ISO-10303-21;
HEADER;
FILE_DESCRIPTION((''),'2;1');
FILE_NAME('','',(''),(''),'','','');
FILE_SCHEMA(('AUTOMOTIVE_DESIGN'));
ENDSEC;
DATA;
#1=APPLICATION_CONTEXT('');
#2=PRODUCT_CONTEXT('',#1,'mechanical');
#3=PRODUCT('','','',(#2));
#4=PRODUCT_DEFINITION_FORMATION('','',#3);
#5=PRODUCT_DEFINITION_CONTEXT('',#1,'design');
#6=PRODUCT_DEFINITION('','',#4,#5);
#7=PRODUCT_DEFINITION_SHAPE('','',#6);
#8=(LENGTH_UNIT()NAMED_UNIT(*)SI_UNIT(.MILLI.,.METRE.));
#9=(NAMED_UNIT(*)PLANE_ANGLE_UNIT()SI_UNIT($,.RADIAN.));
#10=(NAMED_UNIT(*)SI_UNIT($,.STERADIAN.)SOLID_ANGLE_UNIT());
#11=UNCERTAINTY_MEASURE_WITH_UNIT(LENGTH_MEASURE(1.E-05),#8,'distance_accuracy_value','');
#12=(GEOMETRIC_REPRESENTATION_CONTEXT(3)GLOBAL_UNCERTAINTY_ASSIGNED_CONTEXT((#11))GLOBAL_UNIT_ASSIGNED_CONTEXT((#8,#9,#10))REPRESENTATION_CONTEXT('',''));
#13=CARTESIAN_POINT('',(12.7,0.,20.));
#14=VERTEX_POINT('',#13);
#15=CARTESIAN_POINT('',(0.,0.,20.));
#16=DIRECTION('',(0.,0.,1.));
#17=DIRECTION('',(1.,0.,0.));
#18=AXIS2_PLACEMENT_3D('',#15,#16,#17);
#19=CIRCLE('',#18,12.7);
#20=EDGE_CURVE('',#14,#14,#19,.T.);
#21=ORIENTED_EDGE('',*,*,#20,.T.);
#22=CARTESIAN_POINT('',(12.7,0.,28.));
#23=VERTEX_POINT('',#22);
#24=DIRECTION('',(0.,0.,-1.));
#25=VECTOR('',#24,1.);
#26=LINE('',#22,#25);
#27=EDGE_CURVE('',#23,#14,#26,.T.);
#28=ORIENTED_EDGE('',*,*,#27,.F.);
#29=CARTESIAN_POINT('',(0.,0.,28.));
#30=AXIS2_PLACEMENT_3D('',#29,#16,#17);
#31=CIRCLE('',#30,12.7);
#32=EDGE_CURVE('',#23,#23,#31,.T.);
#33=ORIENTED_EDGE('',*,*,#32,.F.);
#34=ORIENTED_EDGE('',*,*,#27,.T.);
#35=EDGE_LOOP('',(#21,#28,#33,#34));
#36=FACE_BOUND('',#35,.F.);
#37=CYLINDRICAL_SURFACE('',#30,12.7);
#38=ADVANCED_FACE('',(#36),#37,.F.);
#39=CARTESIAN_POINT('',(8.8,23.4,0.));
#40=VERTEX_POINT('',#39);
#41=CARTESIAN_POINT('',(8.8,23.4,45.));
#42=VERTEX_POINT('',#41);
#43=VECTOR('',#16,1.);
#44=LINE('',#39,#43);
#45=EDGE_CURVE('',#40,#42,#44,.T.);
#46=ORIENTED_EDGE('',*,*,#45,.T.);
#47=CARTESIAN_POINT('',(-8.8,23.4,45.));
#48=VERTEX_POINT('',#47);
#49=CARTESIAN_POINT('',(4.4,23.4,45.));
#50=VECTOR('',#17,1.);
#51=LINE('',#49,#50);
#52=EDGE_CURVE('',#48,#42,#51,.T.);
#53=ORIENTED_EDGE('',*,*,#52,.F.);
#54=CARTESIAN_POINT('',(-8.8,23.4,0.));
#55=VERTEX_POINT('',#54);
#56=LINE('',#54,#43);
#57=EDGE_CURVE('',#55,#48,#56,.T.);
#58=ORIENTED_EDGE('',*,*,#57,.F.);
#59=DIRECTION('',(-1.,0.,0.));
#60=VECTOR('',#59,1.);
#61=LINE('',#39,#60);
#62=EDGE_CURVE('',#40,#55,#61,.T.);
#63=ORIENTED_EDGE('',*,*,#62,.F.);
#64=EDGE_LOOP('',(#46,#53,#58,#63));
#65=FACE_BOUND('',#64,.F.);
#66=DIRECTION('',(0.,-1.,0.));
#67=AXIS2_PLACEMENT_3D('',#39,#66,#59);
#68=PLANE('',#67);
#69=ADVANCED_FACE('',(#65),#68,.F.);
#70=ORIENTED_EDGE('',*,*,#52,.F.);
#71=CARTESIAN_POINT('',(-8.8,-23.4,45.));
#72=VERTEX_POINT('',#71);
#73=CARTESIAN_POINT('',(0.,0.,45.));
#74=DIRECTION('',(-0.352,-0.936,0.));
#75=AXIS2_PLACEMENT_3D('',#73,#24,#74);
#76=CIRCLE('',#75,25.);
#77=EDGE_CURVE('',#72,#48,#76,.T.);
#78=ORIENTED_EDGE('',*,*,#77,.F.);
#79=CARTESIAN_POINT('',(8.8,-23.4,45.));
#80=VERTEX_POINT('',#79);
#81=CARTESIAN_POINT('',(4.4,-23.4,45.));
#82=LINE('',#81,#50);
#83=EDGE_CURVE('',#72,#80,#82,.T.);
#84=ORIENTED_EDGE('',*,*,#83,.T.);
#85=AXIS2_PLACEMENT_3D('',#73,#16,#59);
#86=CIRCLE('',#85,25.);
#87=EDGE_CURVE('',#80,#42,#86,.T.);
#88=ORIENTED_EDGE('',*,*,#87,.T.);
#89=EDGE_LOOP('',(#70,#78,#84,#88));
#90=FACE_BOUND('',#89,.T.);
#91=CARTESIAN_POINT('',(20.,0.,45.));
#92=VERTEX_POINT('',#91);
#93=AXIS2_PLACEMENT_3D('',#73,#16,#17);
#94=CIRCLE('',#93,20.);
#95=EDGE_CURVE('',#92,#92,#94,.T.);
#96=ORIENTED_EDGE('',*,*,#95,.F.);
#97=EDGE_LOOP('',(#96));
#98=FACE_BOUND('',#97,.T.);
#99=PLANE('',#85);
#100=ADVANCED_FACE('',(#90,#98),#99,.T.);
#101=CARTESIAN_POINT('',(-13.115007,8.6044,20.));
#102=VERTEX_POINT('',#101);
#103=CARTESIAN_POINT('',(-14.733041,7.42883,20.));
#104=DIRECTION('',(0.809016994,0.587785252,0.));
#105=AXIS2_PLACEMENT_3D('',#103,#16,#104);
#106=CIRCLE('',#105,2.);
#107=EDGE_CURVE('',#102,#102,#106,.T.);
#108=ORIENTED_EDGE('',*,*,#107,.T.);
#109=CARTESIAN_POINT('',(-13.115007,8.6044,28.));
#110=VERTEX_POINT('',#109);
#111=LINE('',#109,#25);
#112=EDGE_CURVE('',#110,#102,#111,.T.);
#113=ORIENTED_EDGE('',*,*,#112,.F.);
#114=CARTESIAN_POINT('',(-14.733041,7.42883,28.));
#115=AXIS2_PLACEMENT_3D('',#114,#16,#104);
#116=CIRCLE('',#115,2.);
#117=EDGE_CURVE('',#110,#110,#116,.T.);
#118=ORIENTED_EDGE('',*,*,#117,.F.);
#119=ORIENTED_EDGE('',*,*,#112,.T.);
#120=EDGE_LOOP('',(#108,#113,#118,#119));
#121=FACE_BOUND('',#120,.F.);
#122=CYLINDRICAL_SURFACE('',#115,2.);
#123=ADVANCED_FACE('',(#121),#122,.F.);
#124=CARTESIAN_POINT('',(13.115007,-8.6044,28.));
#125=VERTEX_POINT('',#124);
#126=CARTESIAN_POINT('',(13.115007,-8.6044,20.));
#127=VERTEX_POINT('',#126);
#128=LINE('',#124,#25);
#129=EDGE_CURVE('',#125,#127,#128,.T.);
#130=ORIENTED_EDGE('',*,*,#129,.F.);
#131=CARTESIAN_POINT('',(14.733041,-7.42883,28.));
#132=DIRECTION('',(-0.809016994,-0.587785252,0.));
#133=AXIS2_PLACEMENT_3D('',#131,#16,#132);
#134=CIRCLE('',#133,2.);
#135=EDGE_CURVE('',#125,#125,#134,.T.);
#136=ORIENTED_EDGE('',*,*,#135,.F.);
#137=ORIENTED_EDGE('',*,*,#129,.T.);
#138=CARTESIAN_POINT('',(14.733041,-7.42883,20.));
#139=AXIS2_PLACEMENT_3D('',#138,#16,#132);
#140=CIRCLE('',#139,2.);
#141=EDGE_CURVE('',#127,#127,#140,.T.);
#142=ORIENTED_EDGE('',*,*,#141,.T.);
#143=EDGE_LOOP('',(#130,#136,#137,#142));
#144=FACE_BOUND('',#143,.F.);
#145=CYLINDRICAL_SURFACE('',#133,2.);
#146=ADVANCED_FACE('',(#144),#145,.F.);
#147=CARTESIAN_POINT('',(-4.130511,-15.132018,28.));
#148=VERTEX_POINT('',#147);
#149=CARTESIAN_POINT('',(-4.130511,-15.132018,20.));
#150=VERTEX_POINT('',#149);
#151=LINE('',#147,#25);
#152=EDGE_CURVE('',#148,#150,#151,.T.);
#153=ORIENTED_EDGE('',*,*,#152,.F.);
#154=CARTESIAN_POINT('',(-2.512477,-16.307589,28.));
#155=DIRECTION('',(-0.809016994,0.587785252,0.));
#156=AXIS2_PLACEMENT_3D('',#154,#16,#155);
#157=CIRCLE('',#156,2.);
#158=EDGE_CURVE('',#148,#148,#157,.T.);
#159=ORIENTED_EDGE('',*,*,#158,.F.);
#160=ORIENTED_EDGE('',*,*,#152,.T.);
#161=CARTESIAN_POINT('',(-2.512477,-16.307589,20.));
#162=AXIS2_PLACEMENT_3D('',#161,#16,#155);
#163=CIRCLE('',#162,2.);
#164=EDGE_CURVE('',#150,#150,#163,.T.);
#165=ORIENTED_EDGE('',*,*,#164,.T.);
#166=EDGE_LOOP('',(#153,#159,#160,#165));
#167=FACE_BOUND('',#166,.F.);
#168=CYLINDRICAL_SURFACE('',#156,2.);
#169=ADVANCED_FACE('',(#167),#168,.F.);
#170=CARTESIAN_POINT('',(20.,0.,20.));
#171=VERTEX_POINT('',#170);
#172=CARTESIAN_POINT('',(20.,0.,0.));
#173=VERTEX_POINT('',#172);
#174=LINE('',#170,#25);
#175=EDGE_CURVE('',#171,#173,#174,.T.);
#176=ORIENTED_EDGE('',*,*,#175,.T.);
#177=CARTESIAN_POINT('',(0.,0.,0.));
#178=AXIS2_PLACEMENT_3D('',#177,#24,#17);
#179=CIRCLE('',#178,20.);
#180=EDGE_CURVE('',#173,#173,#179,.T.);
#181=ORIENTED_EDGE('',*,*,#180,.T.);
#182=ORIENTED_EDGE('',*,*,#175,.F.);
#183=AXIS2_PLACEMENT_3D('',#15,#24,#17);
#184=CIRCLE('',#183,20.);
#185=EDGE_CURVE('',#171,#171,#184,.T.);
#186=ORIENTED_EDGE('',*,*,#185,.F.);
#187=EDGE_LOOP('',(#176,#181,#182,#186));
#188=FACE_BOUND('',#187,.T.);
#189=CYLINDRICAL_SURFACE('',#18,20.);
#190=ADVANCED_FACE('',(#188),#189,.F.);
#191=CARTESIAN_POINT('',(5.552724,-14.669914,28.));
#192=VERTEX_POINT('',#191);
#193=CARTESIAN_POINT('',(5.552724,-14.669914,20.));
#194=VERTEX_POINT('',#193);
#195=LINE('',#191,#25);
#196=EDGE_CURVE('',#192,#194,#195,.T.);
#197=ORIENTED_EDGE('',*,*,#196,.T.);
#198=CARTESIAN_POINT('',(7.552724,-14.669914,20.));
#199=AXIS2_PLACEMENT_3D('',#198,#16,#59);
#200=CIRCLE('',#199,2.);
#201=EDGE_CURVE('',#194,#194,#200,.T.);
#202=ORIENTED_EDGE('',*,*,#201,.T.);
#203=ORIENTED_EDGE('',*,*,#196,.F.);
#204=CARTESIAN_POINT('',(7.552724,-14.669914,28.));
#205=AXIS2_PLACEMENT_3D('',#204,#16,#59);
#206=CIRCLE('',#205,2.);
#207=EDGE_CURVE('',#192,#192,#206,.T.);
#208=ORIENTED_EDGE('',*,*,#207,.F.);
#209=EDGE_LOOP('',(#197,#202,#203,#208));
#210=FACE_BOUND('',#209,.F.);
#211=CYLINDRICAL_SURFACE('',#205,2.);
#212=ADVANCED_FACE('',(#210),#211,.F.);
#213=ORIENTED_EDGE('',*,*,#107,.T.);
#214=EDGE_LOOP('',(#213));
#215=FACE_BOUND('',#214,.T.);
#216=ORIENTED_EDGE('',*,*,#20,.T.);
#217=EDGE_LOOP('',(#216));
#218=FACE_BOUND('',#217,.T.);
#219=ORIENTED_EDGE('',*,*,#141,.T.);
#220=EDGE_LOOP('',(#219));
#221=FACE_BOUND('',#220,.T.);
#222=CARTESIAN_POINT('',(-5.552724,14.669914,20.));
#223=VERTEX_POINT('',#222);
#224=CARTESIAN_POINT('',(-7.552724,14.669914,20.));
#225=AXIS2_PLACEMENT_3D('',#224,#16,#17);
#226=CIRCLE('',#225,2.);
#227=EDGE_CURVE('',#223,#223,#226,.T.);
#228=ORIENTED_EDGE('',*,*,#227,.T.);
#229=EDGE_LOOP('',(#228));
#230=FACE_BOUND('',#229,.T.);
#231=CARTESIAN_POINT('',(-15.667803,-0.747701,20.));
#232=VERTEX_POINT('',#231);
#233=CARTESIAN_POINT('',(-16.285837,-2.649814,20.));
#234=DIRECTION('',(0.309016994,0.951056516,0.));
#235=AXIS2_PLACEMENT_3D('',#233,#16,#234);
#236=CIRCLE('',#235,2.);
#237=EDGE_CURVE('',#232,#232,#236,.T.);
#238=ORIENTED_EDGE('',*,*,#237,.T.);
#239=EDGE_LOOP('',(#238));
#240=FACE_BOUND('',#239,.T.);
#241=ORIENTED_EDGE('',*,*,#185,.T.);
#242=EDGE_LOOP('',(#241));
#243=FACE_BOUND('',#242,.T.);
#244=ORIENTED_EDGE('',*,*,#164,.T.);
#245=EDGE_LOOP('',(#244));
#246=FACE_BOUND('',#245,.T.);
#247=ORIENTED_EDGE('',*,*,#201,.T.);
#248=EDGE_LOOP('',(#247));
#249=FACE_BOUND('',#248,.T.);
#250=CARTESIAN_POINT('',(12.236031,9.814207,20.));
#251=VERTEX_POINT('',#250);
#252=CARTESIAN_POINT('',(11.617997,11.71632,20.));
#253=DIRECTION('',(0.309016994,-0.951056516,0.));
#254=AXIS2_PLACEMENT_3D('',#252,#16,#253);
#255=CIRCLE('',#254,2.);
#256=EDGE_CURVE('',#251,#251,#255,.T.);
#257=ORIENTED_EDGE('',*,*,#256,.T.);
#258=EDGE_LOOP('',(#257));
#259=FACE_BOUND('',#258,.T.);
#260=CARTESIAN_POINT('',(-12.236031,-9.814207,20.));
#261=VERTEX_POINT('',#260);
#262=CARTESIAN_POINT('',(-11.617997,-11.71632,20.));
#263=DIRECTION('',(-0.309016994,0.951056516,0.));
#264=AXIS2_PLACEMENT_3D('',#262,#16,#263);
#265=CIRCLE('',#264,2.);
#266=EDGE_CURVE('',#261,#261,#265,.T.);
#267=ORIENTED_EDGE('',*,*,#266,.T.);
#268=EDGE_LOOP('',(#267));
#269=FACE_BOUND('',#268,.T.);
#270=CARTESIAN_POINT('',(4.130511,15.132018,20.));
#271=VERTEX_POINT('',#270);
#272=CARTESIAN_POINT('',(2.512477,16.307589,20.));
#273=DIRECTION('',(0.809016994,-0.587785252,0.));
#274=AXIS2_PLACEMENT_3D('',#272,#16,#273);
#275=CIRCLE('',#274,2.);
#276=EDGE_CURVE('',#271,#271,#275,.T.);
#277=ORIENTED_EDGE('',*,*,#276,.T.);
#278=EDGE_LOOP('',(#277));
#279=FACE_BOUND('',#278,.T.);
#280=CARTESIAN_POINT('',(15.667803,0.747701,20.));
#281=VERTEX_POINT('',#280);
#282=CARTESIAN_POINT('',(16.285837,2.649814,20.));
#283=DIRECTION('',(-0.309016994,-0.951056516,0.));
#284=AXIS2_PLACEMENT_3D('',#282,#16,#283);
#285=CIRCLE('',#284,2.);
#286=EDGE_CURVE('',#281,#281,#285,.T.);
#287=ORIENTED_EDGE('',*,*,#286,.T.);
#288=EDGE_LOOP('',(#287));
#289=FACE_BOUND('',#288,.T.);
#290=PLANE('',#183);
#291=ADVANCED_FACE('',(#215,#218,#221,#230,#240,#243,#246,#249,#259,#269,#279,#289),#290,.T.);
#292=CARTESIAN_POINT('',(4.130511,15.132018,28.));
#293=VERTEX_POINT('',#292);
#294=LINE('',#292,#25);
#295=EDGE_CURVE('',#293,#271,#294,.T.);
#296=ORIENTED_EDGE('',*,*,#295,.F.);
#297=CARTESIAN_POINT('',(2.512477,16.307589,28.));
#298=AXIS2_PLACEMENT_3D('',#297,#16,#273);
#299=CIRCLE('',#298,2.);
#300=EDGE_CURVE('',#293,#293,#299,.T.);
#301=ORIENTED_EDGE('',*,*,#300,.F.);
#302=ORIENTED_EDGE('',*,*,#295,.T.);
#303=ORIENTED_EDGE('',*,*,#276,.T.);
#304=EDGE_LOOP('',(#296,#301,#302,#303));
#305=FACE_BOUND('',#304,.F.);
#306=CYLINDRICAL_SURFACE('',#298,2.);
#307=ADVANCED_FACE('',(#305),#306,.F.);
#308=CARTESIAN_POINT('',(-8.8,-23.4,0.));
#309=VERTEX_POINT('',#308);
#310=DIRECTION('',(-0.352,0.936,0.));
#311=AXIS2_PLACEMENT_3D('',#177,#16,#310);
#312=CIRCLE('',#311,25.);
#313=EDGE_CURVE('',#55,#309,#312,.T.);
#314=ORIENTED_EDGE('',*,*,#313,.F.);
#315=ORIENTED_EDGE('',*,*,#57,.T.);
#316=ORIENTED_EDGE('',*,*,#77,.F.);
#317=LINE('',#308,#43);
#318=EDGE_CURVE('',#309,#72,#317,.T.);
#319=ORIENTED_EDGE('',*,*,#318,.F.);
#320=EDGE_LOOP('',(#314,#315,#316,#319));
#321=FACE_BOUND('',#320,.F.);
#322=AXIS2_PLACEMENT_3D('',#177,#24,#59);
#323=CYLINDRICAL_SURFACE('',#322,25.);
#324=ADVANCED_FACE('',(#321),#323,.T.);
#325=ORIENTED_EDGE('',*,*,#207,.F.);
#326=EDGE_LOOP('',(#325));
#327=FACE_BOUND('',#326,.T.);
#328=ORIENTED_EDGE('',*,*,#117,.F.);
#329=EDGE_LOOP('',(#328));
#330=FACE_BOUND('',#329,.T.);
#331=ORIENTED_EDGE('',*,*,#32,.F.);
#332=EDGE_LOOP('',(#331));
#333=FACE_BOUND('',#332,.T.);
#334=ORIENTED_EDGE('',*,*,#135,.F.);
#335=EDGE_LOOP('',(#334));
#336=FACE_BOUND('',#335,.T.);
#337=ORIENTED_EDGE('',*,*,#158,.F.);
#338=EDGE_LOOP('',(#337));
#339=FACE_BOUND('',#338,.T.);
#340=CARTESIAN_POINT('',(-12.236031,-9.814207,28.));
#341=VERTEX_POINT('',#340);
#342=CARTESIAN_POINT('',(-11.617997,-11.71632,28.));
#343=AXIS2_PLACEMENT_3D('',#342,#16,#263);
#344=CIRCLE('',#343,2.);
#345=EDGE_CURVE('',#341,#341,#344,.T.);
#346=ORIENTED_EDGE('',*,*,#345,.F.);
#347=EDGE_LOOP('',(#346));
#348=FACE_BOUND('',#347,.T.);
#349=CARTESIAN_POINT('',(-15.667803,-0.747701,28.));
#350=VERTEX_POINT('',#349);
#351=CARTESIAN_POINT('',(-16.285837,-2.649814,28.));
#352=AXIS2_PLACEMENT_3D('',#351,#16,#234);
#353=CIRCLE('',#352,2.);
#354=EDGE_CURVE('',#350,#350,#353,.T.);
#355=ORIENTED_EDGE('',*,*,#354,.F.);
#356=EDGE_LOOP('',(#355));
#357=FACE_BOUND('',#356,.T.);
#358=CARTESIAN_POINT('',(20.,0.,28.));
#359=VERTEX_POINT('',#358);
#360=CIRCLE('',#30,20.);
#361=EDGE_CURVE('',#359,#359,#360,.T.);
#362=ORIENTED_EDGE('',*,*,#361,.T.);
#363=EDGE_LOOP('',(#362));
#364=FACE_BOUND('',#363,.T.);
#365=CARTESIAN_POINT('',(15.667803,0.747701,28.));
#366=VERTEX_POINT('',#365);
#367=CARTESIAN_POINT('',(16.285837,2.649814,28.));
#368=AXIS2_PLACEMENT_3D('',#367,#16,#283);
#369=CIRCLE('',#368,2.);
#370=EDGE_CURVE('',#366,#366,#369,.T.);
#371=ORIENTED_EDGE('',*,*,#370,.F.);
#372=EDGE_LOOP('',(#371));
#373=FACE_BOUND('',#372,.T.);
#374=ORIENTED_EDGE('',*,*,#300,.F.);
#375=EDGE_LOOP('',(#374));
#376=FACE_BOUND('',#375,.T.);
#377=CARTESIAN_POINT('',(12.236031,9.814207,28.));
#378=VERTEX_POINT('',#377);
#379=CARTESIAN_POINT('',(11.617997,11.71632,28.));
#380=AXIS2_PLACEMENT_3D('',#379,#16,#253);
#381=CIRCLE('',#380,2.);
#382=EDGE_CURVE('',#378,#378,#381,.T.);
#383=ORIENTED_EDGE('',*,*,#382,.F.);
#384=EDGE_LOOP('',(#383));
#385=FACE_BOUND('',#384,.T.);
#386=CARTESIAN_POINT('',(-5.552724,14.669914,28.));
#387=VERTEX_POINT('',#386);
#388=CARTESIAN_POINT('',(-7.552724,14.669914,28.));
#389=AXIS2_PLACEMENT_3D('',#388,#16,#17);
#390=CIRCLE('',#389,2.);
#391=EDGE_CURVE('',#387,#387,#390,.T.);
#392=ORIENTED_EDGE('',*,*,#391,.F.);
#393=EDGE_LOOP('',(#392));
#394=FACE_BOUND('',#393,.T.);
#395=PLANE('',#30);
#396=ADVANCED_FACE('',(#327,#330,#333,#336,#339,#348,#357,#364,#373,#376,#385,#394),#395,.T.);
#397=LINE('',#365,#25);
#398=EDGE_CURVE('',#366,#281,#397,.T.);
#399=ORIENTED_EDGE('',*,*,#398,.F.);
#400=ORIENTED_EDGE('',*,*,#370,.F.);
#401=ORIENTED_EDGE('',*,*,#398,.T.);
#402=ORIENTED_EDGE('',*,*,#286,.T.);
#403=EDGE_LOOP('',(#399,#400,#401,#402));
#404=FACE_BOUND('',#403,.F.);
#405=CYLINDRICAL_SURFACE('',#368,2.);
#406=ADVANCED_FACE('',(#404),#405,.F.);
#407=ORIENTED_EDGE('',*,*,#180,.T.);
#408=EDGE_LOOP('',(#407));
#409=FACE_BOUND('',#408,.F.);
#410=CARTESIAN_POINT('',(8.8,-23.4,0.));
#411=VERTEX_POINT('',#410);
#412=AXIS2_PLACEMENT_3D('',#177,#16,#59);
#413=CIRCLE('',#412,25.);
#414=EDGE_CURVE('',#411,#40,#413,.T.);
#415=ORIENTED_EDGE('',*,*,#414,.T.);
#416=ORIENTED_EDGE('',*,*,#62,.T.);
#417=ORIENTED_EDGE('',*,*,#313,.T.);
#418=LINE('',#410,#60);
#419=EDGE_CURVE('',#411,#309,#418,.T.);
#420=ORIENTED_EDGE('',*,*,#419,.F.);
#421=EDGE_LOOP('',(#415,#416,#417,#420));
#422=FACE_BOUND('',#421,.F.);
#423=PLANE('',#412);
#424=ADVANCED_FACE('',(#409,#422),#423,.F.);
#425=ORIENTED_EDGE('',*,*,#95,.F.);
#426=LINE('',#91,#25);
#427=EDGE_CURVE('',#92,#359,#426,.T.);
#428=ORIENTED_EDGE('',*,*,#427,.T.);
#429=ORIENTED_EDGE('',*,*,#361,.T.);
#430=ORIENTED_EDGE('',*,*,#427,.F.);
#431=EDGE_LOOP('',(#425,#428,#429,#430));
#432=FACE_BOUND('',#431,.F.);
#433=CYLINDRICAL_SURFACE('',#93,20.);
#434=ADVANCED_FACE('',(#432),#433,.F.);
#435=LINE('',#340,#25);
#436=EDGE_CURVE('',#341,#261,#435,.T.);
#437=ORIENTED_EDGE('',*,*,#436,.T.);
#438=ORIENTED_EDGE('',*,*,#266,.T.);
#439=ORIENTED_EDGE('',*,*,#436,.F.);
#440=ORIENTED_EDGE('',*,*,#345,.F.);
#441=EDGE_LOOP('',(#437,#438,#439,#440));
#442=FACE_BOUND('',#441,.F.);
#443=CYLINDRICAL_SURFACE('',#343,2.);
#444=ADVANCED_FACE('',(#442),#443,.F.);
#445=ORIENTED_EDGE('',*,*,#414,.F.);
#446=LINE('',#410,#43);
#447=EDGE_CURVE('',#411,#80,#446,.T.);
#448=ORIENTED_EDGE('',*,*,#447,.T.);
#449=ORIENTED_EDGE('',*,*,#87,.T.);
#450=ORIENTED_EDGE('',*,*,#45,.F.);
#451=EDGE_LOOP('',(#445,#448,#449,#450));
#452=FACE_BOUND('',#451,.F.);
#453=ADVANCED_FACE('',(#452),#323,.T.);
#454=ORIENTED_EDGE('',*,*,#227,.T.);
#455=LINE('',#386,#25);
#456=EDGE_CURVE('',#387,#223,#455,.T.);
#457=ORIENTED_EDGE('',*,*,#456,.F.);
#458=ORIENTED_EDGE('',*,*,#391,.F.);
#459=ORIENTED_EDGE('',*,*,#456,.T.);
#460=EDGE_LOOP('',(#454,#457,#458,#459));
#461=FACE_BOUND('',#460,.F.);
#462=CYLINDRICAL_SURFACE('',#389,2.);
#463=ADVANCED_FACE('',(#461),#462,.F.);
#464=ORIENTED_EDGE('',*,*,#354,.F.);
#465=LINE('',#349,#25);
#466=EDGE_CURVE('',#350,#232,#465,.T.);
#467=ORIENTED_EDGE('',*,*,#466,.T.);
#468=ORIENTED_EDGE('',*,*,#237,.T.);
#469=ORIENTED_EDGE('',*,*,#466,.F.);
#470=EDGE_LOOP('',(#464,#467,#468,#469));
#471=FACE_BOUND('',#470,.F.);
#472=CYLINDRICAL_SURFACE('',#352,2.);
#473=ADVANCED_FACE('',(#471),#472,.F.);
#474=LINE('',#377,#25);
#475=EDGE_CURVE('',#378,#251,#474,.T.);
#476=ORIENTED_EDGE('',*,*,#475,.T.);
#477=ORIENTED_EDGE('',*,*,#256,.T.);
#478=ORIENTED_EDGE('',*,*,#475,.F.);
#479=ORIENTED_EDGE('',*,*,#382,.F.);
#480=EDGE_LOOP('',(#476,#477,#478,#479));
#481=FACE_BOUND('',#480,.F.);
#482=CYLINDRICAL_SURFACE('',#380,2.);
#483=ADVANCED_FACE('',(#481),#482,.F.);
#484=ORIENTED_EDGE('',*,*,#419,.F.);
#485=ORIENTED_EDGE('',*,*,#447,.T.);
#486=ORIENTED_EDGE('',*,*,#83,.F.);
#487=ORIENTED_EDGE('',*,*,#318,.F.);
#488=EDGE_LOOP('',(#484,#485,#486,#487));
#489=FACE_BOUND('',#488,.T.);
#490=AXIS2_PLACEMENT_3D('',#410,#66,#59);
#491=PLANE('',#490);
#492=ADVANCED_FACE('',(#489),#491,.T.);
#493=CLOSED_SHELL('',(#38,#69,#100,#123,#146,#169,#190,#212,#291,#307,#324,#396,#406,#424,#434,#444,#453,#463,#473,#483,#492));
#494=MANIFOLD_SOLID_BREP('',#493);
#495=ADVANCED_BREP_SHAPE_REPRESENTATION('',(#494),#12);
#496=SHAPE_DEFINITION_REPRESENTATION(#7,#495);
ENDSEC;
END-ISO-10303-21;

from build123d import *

# Parameters (mm, degrees)
SKETCH1_R           = 25
BOSS_EXTRUDE1_DEPTH = 45
SKETCH2_R           = 20
CUT_EXTRUDE1_DEPTH  = 17
SKETCH3_R           = 12.7
CUT_EXTRUDE2_DEPTH  = 18
SKETCH4_R           = 2
CUT_EXTRUDE3_DEPTH  = 46.099889135
CIRPATTERN1_COUNT   = 10
CUT_EXTRUDE4_START  = -20
SKETCH5_R           = 20
CUT_EXTRUDE4_DEPTH  = 20
CUT_EXTRUDE5_DEPTH  = 58.227615711


with BuildPart() as part:
    # Sketch1 → Boss-Extrude1 (new body)
    with BuildSketch(Plane.XY):
        with Locations(Location((0, 0, 0), (0, 0, 180))):
            Circle(SKETCH1_R)
    extrude(amount=BOSS_EXTRUDE1_DEPTH)

    # Sketch2 → Cut-Extrude1 (cut)
    with BuildSketch(Plane.XY.offset(45)):
        Circle(SKETCH2_R)
    extrude(amount=-CUT_EXTRUDE1_DEPTH, mode=Mode.SUBTRACT)

    # Sketch3 → Cut-Extrude2 (cut)
    with BuildSketch(Plane.XY.offset(28)):
        Circle(SKETCH3_R)
    extrude(amount=-CUT_EXTRUDE2_DEPTH, mode=Mode.SUBTRACT)

    # Sketch4 → Cut-Extrude3 (cut, through all)
    with BuildSketch(Plane.XY.offset(28)):
        with Locations((-7.552723676, 14.669913602)):
            Circle(SKETCH4_R)
    cut_extrude3 = extrude(amount=-CUT_EXTRUDE3_DEPTH, mode=Mode.SUBTRACT)

    # CirPattern1: Cut-Extrude3 ×10 about axis
    cirpattern1_axis = Axis((0, 0, 0), (0, 0, 1))
    for i in range(1, CIRPATTERN1_COUNT):
        add(cut_extrude3.rotate(cirpattern1_axis, i * 360 / CIRPATTERN1_COUNT), mode=Mode.SUBTRACT)

    # Sketch5 → Cut-Extrude4 (cut)
    with BuildSketch(Plane(origin=(0, 0, 0), x_dir=(-1, 0, 0), z_dir=(0, 0, -1)).offset(CUT_EXTRUDE4_START)):
        with Locations(Location((0, 0, 0), (0, 0, 180))):
            Circle(SKETCH5_R)
    extrude(amount=CUT_EXTRUDE4_DEPTH, mode=Mode.SUBTRACT)

    # Sketch6 → Cut-Extrude5 (cut, through all)
    with BuildSketch(Plane(origin=(0, 0, 0), x_dir=(-1, 0, 0), z_dir=(0, 0, -1))):
        with BuildLine():
            Line((-8.8, 23.4), (8.8, 23.4))
            ThreePointArc((8.8, 23.4), (0, 25), (-8.8, 23.4))
        make_face()
        with BuildLine():
            Line((-8.8, -23.4), (8.8, -23.4))
            ThreePointArc((8.8, -23.4), (0, -25), (-8.8, -23.4))
        make_face()
    extrude(amount=-CUT_EXTRUDE5_DEPTH, mode=Mode.SUBTRACT)


solid = part.part
